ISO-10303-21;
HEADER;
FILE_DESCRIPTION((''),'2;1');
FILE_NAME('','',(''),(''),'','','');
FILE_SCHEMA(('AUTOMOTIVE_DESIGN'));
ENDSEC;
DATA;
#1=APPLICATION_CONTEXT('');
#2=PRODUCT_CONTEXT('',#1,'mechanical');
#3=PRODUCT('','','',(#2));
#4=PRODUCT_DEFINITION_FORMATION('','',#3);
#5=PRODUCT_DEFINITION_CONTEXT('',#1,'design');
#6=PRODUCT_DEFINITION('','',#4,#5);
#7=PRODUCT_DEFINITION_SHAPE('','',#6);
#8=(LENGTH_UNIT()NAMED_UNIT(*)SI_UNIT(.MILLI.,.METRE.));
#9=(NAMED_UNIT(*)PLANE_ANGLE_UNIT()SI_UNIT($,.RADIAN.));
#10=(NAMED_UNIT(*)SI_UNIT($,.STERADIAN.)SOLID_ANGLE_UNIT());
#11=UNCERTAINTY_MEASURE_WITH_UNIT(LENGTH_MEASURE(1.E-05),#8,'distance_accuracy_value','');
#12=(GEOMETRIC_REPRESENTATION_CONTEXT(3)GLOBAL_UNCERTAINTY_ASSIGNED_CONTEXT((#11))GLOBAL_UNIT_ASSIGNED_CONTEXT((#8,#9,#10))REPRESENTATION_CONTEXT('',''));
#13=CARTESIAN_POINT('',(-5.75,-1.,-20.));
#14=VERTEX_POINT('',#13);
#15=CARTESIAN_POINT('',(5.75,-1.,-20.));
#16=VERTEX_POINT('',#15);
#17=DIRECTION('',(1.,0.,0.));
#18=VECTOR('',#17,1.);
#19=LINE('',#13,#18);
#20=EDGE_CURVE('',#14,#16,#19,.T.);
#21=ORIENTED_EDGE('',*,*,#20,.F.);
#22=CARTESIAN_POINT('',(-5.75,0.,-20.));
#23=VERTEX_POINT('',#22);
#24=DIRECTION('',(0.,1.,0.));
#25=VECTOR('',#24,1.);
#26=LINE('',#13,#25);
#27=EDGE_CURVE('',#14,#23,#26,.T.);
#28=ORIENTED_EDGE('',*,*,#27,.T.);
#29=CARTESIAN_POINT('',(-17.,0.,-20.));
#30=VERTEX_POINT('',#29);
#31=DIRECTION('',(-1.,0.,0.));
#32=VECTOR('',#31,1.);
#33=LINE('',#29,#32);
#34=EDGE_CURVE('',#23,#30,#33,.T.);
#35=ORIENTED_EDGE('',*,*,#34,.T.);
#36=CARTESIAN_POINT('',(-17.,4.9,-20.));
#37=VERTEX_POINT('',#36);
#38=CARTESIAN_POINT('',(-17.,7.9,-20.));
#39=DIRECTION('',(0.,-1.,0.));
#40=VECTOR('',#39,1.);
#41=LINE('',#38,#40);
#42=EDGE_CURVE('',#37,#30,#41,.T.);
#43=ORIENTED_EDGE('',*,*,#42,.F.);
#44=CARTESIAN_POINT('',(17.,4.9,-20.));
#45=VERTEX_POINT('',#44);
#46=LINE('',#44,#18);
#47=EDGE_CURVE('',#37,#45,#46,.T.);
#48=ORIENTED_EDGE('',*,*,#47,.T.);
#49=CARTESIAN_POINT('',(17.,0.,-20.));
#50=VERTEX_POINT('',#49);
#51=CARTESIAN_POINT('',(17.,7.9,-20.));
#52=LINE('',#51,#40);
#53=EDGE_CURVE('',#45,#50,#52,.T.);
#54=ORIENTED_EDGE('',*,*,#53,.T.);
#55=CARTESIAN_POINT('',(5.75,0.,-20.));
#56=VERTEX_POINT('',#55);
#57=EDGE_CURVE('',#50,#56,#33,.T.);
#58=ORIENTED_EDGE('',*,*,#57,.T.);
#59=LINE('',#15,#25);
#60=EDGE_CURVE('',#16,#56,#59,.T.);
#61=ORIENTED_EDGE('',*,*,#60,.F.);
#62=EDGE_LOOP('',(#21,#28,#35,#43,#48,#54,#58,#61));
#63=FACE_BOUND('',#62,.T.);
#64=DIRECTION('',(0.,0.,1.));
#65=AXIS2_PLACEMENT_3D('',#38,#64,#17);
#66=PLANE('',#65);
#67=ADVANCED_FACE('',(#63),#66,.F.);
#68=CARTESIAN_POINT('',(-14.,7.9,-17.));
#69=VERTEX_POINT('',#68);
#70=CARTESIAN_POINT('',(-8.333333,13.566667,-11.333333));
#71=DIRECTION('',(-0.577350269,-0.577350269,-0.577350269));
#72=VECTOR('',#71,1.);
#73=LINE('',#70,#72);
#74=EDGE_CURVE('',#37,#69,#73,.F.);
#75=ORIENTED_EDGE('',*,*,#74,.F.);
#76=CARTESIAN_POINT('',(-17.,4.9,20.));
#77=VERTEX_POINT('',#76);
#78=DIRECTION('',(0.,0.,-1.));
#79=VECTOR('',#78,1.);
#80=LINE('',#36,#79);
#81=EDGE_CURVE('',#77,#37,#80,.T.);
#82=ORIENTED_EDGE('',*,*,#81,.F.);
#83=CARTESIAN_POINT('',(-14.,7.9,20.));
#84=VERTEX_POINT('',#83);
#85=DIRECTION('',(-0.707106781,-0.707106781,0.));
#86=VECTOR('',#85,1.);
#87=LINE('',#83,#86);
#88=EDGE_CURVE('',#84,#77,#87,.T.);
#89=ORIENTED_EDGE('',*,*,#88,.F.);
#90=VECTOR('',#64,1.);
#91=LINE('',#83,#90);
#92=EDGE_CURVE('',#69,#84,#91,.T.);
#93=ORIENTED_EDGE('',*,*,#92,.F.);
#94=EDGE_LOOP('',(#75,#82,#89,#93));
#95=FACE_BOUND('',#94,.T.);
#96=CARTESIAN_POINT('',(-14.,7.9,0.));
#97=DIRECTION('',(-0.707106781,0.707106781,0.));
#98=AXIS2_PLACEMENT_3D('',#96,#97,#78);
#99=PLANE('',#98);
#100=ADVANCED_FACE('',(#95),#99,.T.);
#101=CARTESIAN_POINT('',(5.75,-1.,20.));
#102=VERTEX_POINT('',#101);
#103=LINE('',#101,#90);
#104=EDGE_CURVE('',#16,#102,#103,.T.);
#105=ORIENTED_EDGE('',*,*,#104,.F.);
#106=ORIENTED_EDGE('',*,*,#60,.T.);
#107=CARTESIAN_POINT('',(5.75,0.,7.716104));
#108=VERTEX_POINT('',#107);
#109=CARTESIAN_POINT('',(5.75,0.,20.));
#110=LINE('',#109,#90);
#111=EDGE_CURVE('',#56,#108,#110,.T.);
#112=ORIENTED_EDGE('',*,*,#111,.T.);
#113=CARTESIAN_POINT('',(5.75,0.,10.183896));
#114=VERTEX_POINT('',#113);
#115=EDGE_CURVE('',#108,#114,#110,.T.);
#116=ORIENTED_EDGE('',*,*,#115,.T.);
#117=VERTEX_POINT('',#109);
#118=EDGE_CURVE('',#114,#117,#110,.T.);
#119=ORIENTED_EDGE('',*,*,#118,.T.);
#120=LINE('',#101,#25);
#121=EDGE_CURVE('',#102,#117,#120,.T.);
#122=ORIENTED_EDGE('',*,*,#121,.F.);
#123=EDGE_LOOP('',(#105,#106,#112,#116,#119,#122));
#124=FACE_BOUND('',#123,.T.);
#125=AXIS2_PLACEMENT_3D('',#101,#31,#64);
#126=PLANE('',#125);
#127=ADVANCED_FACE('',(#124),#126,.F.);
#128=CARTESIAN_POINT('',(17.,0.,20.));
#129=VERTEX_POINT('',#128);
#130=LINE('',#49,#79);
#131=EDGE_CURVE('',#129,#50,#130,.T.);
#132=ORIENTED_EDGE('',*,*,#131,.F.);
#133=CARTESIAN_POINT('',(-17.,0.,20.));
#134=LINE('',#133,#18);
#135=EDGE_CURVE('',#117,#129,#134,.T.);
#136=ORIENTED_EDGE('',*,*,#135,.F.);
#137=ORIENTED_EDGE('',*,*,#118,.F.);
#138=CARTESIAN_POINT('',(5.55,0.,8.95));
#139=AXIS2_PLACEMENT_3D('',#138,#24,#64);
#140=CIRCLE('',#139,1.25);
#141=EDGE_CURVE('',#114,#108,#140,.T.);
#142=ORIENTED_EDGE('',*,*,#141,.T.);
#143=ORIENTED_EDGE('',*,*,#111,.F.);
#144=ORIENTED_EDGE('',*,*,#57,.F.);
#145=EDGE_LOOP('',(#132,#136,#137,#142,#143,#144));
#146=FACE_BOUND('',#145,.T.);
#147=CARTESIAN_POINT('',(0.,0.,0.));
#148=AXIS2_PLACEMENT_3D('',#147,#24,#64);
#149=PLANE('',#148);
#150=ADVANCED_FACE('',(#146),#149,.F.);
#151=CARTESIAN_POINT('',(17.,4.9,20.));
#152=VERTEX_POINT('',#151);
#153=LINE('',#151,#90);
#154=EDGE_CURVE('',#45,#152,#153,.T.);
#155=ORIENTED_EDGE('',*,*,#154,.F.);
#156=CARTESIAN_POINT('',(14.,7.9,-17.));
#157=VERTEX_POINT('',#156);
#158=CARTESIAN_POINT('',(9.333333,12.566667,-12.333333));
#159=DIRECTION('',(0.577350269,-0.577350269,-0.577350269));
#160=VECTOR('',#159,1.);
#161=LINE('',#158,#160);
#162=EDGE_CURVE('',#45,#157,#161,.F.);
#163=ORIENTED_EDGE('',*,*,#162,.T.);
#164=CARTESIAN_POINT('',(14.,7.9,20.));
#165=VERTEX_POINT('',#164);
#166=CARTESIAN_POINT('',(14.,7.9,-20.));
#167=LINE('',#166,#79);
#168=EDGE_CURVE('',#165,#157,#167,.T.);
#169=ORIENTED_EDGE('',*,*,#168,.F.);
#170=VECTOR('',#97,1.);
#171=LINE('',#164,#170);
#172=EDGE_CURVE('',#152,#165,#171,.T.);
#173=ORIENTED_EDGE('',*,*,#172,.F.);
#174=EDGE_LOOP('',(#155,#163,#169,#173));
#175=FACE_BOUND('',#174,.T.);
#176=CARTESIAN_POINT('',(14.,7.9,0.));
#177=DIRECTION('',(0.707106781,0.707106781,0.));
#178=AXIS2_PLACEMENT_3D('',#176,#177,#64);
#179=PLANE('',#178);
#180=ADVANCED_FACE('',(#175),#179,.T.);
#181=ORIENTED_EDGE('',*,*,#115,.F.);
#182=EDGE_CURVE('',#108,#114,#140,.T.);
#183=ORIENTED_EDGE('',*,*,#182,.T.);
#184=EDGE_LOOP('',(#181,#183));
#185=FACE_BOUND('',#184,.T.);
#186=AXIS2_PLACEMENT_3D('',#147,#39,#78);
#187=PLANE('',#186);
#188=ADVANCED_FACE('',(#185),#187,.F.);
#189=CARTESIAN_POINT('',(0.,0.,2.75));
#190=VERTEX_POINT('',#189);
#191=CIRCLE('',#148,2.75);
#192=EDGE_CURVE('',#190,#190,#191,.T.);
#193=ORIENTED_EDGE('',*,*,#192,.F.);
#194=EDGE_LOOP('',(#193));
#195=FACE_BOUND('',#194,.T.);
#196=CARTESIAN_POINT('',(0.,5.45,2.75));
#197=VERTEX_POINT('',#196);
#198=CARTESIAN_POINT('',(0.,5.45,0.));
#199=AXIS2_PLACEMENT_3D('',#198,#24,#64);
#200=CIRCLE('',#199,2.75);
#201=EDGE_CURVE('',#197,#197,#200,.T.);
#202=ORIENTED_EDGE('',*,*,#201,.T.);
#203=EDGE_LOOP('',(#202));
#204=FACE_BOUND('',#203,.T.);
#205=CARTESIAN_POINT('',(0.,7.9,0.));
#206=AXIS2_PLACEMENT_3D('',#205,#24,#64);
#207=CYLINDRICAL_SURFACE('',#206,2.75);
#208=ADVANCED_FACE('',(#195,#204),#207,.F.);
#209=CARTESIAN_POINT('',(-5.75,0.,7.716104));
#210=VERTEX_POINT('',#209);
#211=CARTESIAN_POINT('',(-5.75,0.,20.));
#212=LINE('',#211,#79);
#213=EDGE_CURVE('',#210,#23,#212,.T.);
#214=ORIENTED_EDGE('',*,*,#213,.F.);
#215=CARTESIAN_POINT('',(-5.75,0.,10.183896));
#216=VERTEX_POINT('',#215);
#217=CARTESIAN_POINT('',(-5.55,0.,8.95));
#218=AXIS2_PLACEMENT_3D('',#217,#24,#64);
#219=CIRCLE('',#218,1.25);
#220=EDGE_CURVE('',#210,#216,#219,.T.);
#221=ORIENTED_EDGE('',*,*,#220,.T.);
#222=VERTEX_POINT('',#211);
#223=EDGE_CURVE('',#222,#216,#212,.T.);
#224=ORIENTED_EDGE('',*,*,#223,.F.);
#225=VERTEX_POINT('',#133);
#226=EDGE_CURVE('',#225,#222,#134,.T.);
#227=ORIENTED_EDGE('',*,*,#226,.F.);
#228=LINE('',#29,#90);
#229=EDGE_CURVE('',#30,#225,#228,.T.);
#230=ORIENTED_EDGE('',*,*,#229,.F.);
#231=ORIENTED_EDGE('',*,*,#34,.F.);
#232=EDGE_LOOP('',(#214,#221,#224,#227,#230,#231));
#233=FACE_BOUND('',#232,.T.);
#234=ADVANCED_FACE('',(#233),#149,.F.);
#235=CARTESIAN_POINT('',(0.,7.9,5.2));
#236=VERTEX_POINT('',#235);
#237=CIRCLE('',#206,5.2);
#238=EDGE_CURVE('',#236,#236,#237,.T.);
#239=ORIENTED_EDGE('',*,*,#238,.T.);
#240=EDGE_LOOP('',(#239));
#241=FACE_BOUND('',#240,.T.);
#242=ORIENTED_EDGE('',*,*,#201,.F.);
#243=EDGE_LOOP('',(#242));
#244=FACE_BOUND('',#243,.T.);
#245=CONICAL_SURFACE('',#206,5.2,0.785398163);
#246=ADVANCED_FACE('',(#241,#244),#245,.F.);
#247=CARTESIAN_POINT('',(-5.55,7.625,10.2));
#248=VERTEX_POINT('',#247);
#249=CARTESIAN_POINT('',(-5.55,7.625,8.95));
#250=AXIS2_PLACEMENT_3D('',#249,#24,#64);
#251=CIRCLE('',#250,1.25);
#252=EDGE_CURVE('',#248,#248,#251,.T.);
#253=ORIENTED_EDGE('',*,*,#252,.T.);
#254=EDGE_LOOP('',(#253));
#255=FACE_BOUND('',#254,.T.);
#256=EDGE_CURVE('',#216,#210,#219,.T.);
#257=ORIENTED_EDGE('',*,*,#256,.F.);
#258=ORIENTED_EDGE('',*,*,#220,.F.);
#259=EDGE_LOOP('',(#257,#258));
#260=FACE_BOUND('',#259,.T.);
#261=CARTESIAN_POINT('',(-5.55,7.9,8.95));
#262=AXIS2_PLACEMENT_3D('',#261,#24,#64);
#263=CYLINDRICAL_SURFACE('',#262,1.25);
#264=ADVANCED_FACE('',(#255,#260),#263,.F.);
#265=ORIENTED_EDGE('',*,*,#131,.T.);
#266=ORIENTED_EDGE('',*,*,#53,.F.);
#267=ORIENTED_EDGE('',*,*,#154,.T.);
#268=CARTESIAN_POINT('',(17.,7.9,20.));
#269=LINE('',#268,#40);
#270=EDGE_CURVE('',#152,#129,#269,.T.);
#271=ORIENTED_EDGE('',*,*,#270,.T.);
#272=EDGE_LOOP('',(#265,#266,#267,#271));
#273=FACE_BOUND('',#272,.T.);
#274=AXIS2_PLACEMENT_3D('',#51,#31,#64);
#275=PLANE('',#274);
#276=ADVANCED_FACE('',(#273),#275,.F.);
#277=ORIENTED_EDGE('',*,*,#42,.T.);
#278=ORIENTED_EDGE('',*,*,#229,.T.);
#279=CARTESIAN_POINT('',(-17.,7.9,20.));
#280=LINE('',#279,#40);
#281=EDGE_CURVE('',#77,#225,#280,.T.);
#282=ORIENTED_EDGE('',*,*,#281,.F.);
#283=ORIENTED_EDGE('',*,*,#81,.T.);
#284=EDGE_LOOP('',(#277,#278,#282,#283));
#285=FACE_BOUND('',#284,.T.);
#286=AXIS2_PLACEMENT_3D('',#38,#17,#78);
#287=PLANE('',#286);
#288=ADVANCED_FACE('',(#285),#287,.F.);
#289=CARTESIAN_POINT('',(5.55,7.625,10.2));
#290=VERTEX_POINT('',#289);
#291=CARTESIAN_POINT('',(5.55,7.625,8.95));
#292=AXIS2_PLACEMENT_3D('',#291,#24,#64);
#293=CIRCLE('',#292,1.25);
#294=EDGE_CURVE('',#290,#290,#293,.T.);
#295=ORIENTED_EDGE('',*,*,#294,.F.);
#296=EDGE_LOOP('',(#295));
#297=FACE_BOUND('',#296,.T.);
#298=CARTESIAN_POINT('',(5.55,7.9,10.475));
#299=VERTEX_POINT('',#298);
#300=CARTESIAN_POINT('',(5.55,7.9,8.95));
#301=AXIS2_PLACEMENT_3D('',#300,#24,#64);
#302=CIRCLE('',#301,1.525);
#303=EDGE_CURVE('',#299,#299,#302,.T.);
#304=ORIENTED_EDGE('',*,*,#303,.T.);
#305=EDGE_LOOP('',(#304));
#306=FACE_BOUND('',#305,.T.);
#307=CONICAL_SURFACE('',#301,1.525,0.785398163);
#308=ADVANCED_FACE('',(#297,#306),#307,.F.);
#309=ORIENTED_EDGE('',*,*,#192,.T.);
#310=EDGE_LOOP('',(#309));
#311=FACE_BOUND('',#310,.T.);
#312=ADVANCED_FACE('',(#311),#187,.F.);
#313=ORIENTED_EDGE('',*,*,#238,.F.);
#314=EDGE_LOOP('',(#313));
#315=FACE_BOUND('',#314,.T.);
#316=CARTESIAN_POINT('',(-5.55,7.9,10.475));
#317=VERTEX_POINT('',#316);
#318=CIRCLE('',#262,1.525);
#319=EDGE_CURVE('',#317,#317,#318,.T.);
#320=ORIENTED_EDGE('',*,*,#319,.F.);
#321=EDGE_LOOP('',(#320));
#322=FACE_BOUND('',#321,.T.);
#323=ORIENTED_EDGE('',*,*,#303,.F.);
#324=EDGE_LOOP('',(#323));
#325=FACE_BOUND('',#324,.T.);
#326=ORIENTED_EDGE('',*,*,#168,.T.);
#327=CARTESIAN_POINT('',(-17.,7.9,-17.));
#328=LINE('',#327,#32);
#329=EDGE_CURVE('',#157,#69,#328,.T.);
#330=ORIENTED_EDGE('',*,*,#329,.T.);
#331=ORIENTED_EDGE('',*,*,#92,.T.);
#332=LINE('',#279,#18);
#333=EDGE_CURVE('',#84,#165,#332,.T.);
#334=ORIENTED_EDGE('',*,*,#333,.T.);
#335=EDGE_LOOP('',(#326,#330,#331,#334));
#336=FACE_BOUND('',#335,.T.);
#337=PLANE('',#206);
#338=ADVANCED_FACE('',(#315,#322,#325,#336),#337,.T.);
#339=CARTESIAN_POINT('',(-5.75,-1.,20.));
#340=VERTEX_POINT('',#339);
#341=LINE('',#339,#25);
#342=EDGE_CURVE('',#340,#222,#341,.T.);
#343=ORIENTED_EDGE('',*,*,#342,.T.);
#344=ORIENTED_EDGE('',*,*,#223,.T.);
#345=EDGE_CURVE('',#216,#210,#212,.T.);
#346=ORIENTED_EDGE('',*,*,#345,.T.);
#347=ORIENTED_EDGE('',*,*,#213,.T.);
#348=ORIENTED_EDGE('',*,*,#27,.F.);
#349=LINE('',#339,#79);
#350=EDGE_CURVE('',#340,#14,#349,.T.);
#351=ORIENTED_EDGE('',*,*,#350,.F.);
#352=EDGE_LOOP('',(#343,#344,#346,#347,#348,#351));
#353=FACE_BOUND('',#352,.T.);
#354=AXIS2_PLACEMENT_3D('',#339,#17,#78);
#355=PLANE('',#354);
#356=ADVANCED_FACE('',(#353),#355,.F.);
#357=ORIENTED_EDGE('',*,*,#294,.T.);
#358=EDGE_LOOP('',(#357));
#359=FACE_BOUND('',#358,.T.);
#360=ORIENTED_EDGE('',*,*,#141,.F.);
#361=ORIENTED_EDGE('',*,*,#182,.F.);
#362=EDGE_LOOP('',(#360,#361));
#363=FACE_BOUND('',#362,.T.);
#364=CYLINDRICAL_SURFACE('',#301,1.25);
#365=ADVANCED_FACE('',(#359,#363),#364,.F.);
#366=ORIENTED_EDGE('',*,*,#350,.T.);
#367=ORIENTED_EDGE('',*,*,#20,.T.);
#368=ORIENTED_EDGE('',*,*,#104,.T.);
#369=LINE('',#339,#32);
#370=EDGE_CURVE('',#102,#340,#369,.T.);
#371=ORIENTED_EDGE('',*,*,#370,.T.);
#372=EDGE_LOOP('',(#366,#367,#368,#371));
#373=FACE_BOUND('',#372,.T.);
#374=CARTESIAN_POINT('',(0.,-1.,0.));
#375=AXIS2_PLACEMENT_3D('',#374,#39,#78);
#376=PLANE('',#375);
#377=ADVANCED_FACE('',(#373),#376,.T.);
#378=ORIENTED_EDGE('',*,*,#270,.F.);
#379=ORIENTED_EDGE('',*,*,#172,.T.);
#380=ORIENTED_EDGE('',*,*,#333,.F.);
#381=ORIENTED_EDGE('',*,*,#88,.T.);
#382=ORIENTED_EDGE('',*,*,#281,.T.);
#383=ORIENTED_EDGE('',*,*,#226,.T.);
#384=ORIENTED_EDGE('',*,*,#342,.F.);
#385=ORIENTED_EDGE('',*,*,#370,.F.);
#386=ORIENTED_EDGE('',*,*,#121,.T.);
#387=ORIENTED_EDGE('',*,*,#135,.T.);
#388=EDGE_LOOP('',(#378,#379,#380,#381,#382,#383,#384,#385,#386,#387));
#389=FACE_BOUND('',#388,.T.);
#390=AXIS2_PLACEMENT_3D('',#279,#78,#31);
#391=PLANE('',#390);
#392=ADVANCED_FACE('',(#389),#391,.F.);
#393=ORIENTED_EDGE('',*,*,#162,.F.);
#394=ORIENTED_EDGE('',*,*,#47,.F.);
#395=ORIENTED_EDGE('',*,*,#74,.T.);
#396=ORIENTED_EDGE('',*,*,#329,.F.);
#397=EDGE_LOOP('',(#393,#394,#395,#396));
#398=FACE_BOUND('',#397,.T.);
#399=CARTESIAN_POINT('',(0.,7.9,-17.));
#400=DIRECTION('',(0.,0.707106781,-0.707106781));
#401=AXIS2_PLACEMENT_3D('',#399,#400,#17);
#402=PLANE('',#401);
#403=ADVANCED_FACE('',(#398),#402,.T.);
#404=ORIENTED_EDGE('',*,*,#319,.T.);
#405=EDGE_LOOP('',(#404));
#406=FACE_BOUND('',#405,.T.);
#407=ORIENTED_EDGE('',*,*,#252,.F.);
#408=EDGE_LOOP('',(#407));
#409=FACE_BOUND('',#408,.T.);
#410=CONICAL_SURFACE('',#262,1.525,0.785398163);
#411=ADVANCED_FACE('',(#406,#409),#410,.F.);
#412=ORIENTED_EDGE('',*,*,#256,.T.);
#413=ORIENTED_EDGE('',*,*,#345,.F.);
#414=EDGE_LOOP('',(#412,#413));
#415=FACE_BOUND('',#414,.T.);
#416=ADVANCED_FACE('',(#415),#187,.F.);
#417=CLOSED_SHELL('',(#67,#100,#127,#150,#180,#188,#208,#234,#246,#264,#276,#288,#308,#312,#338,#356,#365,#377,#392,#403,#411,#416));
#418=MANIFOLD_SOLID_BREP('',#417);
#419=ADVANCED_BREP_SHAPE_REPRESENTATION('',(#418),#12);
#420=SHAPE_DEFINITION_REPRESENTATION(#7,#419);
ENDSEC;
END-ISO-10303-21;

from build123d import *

# Parameters (mm, degrees)
SKETCH_1_W                    = 34
SKETCH_1_H                    = 40
EXTRUDE_326_DEPTH             = 7.9
HOLE_WIZARD_40_M5_D           = 5.5
HOLE_WIZARD_40_M5_CSINK_D     = 10.4
HOLE_WIZARD_40_M5_CSINK_ANGLE = 90
HOLE_WIZARD_M3_D              = 2.5
HOLE_WIZARD_M3_CSINK_D        = 3.05
HOLE_WIZARD_M3_CSINK_ANGLE    = 90
CHAMFER_1_SIZE                = 3
SKETCH_7_W                    = 11.5
SKETCH_7_H                    = 40
EXTRUDE_40_DEPTH              = 1


with BuildPart() as part:
    # Эскиз1 → Extrude 326 (new body)
    with BuildSketch(Plane(origin=(0, 0, 0), x_dir=(1, 0, 0), z_dir=(0, 1, 0))):
        Rectangle(SKETCH_1_W, SKETCH_1_H)
    extrude(amount=EXTRUDE_326_DEPTH)

    # Крепление к профилю 40 - M5 (through all)
    with Locations(Plane(origin=(0, 7.9, 0), x_dir=(-1, 0, 0), z_dir=(0, 1, 0))):
        with Locations((0, 0)):
            CounterSinkHole(HOLE_WIZARD_40_M5_D / 2, HOLE_WIZARD_40_M5_CSINK_D / 2, counter_sink_angle=HOLE_WIZARD_40_M5_CSINK_ANGLE)

    # Крепление датчика M3 (through all)
    with Locations(Plane(origin=(0, 7.9, 0), x_dir=(-1, 0, 0), z_dir=(0, 1, 0))):
        with Locations((5.55, 8.95), (-5.55, 8.95)):
            CounterSinkHole(HOLE_WIZARD_M3_D / 2, HOLE_WIZARD_M3_CSINK_D / 2, counter_sink_angle=HOLE_WIZARD_M3_CSINK_ANGLE)

    # Фаска1
    chamfer_1_edges = [part.edges().sort_by_distance(p)[0] for p in [
        (-17, 7.9, 0),
        (17, 7.9, 0),
        (0, 7.9, -20),
    ]]
    chamfer(chamfer_1_edges, length=CHAMFER_1_SIZE)

    # Эскиз7 → Направляющая профиля 40 (add)
    with BuildSketch(Plane.XZ):
        Rectangle(SKETCH_7_W, SKETCH_7_H)
    extrude(amount=EXTRUDE_40_DEPTH)


solid = part.part
